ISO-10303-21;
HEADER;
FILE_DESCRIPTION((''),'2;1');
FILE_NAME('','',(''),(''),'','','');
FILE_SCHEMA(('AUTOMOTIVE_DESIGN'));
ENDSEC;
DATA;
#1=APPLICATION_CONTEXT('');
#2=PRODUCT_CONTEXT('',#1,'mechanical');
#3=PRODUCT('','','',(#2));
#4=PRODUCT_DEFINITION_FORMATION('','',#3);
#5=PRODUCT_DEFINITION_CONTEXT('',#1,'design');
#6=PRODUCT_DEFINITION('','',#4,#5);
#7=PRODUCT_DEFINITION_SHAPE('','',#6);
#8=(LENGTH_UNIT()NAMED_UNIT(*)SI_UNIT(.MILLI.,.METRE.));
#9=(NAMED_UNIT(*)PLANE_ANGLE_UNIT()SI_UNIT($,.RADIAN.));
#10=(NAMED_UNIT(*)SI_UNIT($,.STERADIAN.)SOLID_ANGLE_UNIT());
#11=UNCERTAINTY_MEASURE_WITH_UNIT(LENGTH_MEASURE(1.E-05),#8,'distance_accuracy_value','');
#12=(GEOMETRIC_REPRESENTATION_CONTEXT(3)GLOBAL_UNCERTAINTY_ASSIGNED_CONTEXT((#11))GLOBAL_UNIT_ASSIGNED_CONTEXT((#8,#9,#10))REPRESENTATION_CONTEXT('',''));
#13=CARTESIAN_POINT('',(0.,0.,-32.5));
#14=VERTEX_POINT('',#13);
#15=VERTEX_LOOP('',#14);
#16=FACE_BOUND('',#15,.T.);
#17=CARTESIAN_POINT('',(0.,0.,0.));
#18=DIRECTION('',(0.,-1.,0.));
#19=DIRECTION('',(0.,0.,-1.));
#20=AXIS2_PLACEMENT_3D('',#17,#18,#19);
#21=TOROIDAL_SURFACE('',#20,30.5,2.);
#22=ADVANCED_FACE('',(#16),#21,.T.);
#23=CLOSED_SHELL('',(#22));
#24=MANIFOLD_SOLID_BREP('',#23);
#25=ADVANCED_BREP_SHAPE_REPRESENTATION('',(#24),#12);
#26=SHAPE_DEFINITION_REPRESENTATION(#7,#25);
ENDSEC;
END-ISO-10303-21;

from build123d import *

# Parameters (mm, degrees)
SKETCH_1_R = 2


with BuildPart() as part:
    # ｽｹｯﾁ1 → 回転1 (revolve)
    with BuildSketch(Plane.XY, mode=Mode.PRIVATE) as revolve_1_sk:
        with Locations((30.5, 0)):
            Circle(SKETCH_1_R)
    revolve(revolve_1_sk.sketch.rotate(Axis((0, 0, 0), (0, 1, 0)), 90), axis=Axis((0, 0, 0), (0, 1, 0)))


solid = part.part
